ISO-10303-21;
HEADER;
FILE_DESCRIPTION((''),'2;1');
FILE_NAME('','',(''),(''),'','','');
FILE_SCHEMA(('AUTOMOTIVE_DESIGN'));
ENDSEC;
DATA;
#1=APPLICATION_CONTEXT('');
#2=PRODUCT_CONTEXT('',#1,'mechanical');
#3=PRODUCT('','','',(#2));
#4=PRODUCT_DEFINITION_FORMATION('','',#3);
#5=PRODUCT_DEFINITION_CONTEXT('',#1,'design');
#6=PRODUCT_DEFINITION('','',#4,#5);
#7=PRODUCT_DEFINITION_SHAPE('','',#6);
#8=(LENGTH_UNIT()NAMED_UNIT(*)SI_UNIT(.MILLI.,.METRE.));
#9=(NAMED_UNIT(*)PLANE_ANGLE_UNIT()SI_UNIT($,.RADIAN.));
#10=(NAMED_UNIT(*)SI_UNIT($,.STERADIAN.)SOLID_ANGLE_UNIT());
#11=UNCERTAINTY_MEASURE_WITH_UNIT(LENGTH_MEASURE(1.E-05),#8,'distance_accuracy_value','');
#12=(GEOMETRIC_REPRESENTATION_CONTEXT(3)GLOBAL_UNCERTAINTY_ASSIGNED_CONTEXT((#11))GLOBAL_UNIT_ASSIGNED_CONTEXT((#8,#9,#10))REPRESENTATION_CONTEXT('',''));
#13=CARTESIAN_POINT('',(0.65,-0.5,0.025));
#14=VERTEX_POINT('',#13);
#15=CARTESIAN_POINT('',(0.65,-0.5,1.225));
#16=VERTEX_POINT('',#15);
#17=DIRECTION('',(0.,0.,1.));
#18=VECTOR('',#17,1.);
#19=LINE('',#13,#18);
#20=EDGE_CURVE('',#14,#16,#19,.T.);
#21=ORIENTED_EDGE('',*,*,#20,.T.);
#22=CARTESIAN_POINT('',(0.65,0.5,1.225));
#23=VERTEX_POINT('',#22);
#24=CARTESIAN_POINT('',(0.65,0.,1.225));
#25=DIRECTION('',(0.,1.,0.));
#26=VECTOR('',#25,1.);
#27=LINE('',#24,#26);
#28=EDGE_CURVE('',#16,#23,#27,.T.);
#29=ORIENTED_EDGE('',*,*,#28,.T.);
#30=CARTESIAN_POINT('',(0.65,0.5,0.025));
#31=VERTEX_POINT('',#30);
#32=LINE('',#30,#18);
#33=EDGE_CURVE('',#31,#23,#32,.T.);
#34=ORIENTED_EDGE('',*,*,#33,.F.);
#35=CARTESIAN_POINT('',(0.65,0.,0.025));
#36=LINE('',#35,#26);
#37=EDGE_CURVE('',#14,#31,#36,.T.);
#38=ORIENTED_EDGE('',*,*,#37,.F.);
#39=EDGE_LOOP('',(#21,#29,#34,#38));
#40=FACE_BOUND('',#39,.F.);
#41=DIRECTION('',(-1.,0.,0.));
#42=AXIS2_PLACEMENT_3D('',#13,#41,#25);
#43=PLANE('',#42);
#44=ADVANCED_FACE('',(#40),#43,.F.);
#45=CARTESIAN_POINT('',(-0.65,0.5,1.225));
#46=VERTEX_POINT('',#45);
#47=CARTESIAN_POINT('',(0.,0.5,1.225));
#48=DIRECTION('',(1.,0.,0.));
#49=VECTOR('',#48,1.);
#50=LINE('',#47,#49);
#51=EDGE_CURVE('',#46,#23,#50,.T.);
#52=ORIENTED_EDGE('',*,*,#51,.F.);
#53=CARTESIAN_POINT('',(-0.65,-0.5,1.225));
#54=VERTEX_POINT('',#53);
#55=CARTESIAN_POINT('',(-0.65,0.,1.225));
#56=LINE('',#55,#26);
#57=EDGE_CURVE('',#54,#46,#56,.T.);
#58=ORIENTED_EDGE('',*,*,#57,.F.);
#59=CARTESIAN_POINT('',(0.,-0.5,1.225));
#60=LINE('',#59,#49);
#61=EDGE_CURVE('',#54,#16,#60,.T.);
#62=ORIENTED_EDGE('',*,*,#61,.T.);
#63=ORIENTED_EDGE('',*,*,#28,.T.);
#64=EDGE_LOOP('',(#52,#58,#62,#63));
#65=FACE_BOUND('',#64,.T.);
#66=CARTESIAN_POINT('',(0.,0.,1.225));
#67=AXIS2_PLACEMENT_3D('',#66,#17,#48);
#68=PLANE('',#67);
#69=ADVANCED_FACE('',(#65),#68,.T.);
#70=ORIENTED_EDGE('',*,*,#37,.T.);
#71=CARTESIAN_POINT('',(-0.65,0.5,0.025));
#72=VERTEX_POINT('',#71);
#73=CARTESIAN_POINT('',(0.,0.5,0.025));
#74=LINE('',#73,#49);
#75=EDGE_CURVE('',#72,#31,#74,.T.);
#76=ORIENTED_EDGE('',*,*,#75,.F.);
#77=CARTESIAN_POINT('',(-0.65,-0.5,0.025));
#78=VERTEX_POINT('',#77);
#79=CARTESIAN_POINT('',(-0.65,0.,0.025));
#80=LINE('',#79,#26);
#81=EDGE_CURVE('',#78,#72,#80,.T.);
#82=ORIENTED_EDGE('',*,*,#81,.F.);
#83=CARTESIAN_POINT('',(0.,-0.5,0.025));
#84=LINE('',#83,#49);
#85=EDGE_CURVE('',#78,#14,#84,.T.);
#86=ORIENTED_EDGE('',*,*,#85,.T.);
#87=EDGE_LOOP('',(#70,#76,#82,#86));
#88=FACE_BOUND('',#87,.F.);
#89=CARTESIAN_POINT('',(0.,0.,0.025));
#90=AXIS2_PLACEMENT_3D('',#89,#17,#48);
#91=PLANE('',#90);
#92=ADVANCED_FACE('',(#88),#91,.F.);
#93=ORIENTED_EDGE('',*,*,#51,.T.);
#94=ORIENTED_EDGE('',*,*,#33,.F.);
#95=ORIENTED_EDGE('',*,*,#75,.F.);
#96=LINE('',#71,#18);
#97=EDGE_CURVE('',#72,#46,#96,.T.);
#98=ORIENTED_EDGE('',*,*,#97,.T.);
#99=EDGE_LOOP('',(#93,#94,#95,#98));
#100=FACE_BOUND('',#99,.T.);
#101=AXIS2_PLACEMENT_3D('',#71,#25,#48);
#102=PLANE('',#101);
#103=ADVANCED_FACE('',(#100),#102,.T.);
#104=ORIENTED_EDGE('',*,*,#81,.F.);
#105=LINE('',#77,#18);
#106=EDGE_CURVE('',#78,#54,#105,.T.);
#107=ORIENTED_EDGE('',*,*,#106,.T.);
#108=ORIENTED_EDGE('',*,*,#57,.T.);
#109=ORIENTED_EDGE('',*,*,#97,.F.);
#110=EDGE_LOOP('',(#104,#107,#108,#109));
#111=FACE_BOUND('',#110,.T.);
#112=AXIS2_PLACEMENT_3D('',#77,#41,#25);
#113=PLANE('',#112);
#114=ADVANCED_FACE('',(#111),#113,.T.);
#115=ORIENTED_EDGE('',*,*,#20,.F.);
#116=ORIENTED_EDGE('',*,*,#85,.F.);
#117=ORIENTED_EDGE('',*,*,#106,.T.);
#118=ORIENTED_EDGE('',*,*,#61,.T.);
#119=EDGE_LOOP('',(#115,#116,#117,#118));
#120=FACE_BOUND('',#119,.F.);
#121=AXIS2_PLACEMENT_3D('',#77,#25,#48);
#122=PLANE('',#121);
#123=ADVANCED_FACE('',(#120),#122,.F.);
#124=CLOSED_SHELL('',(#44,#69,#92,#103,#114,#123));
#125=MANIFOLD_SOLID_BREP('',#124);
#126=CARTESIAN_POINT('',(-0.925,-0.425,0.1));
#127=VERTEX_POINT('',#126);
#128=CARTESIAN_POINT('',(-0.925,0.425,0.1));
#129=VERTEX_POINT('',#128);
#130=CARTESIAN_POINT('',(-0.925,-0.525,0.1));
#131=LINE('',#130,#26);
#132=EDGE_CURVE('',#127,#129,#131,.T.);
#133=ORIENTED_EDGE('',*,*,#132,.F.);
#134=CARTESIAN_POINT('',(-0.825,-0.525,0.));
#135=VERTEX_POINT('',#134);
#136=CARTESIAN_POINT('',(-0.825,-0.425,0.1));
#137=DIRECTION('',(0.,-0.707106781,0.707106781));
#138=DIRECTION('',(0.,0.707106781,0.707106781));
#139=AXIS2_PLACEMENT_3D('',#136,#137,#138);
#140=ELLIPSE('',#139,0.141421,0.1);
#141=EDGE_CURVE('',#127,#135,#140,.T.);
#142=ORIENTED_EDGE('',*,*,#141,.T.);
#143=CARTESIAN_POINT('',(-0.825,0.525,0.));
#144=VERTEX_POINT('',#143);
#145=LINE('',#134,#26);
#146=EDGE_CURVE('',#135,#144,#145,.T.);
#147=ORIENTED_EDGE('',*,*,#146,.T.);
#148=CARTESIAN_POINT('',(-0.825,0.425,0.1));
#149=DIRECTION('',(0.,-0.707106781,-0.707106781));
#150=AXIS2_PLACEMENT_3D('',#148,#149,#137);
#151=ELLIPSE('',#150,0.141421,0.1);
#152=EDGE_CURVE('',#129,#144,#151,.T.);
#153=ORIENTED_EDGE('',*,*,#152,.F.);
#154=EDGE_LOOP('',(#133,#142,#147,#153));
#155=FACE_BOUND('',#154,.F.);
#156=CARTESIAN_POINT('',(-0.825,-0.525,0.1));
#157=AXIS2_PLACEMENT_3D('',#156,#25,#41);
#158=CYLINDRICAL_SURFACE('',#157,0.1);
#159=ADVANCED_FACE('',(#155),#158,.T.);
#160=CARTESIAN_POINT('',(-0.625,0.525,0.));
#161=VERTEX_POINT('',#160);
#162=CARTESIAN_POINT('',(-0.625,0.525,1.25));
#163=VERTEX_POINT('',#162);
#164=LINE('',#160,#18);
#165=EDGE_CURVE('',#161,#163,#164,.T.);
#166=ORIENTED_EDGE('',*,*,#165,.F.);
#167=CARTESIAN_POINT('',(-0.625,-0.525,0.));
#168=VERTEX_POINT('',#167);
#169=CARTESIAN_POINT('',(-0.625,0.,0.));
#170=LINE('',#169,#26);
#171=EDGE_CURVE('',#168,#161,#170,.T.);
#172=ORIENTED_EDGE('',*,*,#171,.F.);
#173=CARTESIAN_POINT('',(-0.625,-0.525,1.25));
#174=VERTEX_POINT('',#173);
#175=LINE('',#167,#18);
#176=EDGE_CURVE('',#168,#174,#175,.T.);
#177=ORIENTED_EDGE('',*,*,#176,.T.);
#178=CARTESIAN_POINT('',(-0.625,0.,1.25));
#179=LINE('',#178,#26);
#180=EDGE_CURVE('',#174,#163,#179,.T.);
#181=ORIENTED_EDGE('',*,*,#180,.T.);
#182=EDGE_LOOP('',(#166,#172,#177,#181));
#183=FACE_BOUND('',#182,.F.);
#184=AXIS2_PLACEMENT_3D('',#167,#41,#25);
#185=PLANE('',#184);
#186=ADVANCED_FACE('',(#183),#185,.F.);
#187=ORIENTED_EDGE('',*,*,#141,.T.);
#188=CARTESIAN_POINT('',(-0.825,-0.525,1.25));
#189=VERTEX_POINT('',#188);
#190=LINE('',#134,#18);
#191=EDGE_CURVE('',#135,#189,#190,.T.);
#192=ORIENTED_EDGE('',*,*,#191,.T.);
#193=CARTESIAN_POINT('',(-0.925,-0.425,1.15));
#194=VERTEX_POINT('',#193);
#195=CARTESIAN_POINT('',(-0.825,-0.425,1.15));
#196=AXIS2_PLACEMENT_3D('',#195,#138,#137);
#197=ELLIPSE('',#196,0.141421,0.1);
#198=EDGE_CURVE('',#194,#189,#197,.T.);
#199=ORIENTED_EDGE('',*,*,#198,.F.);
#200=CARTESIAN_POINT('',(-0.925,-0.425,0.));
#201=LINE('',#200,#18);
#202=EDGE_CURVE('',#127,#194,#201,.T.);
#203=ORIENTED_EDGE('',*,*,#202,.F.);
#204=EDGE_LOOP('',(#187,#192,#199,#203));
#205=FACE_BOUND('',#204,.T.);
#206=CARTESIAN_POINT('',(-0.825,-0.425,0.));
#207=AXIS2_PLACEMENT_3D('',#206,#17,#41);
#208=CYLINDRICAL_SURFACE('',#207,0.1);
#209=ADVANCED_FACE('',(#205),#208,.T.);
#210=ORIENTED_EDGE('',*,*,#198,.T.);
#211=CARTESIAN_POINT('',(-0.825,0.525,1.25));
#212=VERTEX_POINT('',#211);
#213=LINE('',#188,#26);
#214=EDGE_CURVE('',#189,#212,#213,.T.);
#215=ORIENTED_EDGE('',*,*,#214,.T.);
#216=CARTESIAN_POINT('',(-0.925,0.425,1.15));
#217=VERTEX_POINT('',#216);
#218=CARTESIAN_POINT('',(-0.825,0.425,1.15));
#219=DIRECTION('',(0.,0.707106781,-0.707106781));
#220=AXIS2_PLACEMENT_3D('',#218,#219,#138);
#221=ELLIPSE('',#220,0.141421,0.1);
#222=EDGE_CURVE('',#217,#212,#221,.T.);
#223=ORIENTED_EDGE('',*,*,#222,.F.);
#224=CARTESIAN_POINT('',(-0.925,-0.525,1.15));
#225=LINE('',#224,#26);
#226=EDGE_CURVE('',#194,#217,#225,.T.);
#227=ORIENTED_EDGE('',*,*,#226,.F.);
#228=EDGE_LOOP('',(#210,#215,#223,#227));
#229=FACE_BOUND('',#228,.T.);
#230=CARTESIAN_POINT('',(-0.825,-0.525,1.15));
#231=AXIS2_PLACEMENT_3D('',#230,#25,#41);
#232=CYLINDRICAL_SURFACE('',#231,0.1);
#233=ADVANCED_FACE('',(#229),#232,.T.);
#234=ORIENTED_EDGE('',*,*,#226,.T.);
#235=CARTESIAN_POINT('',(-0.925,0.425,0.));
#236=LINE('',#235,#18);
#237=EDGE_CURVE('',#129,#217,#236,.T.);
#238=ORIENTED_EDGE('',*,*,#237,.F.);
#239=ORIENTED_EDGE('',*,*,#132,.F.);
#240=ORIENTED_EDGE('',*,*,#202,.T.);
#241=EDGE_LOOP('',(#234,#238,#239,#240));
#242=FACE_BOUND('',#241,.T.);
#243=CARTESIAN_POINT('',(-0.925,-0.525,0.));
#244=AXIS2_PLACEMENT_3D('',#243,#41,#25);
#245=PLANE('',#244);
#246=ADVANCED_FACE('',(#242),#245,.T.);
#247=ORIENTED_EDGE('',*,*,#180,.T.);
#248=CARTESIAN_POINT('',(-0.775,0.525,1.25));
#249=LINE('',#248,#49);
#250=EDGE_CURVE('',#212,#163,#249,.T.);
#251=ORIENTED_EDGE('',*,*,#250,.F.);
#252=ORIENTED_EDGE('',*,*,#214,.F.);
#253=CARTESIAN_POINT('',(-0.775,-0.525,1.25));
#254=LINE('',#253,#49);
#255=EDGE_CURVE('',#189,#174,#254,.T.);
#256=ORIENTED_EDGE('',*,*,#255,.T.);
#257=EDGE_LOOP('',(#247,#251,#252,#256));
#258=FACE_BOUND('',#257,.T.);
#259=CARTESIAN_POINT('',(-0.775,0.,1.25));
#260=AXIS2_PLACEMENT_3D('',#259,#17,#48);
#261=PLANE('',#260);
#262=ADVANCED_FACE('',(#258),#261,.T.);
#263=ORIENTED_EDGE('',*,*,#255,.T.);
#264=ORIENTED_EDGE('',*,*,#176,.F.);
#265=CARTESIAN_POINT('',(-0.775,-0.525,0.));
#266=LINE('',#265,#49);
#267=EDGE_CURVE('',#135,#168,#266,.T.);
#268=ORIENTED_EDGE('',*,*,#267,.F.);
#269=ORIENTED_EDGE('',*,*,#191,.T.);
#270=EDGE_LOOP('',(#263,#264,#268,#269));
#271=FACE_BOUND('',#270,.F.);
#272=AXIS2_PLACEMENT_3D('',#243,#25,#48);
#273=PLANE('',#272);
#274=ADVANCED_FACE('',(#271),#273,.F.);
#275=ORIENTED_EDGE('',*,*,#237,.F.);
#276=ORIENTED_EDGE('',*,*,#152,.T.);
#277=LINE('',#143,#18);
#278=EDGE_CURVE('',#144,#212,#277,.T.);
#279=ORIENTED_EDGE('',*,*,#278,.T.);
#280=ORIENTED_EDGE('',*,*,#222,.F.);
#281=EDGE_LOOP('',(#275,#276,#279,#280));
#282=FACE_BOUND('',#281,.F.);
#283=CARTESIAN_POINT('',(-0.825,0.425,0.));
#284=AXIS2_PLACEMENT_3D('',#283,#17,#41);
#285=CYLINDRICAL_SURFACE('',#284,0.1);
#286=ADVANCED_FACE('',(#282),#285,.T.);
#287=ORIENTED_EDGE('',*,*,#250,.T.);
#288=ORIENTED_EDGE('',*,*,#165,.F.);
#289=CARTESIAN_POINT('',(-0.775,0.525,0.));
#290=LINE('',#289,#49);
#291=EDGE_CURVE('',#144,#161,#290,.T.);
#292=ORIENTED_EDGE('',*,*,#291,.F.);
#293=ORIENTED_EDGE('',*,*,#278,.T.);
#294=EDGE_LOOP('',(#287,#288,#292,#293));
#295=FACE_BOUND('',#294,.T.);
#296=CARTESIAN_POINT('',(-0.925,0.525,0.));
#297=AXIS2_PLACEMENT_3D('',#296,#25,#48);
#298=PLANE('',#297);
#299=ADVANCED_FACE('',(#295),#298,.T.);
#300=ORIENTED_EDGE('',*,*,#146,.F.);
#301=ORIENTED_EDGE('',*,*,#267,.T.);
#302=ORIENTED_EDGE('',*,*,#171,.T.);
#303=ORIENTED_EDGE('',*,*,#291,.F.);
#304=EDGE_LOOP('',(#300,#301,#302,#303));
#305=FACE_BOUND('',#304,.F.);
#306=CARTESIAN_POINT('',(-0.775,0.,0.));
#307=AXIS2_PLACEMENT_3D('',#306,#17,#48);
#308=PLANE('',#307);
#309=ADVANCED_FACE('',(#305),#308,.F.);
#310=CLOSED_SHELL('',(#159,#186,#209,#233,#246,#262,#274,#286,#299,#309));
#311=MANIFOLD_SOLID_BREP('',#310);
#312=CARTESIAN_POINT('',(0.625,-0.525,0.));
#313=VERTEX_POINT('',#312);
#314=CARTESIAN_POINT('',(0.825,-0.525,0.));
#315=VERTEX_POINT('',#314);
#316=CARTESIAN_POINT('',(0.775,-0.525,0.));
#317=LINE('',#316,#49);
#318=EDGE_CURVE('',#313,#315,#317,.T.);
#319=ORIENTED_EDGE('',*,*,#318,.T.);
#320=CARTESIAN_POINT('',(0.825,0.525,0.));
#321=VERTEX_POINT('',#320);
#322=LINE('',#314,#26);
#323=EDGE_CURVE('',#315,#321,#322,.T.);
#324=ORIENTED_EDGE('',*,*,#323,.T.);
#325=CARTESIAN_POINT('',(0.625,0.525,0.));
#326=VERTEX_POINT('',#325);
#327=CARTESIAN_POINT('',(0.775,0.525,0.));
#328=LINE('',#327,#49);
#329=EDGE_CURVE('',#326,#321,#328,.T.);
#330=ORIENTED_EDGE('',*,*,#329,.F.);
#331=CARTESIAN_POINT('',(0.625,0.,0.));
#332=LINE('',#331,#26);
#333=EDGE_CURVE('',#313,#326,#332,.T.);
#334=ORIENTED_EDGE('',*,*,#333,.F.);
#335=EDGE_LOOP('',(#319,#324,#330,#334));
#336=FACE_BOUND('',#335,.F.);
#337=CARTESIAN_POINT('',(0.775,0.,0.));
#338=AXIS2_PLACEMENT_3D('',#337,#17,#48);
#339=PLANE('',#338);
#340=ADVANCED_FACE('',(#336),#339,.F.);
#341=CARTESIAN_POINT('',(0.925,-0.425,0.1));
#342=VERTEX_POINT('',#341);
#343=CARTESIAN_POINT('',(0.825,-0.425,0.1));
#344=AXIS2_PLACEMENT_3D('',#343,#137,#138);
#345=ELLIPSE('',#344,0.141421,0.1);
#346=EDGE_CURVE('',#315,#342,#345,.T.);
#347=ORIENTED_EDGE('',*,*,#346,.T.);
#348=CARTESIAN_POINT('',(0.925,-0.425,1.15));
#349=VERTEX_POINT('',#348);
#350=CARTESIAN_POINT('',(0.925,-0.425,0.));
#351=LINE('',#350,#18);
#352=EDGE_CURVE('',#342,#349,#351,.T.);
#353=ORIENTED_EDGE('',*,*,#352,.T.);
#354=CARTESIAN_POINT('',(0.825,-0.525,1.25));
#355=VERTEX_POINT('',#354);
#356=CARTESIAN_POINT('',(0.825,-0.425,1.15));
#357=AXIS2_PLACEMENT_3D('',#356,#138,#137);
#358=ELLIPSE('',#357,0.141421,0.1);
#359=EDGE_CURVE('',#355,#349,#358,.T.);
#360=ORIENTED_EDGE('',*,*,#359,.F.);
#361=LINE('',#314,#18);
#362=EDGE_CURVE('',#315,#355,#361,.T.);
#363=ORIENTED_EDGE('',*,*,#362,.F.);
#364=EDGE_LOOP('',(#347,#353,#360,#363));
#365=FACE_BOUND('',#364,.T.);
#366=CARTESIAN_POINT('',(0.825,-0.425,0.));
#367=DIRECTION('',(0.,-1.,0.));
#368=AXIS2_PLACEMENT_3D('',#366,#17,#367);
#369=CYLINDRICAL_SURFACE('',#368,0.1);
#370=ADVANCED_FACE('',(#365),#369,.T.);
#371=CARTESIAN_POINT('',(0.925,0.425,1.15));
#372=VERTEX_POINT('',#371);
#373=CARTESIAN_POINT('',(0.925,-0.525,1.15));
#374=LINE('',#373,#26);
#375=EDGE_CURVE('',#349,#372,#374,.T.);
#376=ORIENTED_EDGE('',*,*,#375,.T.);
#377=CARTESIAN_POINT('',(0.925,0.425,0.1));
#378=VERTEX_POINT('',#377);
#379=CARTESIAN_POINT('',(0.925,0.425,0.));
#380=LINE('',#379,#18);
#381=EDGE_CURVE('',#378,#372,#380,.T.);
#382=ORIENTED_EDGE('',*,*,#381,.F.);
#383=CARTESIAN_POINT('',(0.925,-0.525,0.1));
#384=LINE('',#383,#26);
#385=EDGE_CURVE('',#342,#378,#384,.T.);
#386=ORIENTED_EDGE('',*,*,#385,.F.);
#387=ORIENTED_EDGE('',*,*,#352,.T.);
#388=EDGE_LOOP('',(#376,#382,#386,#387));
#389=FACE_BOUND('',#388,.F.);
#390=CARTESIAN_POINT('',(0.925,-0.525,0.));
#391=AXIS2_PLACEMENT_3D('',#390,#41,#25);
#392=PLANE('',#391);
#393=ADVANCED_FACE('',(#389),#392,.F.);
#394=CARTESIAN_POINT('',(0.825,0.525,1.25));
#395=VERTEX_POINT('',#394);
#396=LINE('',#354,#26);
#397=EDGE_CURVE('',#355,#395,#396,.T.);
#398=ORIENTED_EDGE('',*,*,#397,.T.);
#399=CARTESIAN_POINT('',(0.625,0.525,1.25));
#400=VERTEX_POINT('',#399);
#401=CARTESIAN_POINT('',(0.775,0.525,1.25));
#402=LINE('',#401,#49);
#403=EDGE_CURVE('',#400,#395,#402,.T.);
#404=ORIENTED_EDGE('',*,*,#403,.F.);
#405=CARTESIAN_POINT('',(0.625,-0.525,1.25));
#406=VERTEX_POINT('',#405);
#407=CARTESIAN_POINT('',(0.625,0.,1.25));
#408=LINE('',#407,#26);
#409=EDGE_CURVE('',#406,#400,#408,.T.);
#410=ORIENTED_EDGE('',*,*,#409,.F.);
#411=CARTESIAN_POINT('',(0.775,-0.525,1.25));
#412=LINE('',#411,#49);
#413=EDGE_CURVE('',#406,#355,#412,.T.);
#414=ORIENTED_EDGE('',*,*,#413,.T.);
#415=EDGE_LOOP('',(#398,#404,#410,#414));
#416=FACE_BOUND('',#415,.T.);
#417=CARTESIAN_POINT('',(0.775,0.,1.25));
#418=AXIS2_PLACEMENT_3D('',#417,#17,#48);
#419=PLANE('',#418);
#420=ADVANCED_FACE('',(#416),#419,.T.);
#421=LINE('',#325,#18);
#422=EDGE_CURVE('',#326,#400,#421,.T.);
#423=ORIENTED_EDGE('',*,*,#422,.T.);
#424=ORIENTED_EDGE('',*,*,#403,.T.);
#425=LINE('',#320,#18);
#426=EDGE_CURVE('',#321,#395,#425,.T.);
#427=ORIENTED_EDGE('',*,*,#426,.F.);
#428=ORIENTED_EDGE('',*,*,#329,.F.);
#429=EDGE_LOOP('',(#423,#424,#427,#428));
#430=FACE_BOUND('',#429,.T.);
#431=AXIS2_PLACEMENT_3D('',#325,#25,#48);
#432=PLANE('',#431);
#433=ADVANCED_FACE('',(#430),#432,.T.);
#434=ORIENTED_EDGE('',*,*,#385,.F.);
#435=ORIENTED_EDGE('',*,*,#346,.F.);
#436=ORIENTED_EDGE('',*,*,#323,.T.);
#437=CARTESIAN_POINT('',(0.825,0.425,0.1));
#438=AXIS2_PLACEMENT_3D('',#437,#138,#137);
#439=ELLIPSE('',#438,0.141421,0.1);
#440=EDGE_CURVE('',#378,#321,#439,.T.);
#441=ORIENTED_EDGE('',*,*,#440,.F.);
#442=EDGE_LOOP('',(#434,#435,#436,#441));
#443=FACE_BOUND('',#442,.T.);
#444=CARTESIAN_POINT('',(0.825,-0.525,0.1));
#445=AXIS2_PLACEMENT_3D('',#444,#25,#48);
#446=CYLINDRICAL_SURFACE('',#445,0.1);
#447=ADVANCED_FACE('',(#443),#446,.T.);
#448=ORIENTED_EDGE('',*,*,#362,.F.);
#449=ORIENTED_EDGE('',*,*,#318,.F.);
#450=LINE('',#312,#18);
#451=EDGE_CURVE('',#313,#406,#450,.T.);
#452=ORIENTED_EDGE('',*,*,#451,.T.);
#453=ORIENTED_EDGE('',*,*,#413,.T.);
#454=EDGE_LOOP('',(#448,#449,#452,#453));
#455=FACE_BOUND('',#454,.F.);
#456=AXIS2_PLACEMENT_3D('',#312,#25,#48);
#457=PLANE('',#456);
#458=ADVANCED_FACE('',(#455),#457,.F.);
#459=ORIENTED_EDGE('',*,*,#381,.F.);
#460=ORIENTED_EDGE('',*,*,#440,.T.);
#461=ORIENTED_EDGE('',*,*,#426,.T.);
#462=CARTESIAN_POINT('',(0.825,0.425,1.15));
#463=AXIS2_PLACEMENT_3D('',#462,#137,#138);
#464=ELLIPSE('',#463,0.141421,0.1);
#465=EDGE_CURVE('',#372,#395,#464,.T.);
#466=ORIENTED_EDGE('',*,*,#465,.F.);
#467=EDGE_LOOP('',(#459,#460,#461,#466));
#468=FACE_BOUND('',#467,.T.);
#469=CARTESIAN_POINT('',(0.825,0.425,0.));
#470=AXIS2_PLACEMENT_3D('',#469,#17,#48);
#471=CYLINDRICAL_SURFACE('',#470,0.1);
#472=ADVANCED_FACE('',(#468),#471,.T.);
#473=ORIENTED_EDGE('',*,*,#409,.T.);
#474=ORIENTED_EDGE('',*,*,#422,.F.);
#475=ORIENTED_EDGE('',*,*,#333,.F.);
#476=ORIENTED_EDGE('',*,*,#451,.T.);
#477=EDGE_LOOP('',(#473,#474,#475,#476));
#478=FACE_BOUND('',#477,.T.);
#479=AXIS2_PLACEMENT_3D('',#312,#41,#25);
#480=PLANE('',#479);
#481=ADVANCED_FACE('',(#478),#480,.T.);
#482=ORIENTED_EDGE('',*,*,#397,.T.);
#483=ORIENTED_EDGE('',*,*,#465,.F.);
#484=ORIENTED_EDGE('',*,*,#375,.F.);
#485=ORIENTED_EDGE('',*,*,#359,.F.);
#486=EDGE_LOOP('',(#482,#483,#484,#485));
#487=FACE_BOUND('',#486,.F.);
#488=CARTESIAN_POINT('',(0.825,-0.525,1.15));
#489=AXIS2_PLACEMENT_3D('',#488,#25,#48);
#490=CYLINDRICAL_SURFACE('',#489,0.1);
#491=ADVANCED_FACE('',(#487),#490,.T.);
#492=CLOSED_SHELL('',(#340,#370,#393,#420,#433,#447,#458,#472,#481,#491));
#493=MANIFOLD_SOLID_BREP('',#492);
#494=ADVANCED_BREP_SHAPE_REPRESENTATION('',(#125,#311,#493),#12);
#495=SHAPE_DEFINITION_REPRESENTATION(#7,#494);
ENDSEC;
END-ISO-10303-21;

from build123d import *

# Parameters (mm, degrees)
SKETCH001_W      = 1.3
SKETCH001_H      = 1
EXTRUDE001_DEPTH = 1.2
SKETCH_W         = 0.3
SKETCH_H         = 1.05
EXTRUDE_DEPTH    = 1.25
FILLET_R         = 0.1


with BuildPart() as body_extr:
    # Sketch001 → Extrude001 (new body)
    with BuildSketch(Plane.XY.offset(0.025)):
        Rectangle(SKETCH001_W, SKETCH001_H)
    extrude(amount=EXTRUDE001_DEPTH)


with BuildPart() as fillet_body:
    # Sketch → Extrude (new body)
    with BuildSketch(Plane.XY):
        with Locations((-0.775, 0)):
            Rectangle(SKETCH_W, SKETCH_H)
        with Locations((0.775, 0)):
            Rectangle(SKETCH_W, SKETCH_H)
    extrude(amount=EXTRUDE_DEPTH)

    # Fillet
    fillet_edges = [fillet_body.edges().sort_by_distance(p)[0] for p in [
        (0.925, 0.525, 0.625),
        (0.925, -0.525, 0.625),
        (0.925, 0, 0),
        (0.925, 0, 1.25),
        (-0.925, 0.525, 0.625),
        (-0.925, -0.525, 0.625),
        (-0.925, 0, 0),
        (-0.925, 0, 1.25),
    ]]
    fillet(fillet_edges, radius=FILLET_R)


solid = Compound([body_extr.part, fillet_body.part])
